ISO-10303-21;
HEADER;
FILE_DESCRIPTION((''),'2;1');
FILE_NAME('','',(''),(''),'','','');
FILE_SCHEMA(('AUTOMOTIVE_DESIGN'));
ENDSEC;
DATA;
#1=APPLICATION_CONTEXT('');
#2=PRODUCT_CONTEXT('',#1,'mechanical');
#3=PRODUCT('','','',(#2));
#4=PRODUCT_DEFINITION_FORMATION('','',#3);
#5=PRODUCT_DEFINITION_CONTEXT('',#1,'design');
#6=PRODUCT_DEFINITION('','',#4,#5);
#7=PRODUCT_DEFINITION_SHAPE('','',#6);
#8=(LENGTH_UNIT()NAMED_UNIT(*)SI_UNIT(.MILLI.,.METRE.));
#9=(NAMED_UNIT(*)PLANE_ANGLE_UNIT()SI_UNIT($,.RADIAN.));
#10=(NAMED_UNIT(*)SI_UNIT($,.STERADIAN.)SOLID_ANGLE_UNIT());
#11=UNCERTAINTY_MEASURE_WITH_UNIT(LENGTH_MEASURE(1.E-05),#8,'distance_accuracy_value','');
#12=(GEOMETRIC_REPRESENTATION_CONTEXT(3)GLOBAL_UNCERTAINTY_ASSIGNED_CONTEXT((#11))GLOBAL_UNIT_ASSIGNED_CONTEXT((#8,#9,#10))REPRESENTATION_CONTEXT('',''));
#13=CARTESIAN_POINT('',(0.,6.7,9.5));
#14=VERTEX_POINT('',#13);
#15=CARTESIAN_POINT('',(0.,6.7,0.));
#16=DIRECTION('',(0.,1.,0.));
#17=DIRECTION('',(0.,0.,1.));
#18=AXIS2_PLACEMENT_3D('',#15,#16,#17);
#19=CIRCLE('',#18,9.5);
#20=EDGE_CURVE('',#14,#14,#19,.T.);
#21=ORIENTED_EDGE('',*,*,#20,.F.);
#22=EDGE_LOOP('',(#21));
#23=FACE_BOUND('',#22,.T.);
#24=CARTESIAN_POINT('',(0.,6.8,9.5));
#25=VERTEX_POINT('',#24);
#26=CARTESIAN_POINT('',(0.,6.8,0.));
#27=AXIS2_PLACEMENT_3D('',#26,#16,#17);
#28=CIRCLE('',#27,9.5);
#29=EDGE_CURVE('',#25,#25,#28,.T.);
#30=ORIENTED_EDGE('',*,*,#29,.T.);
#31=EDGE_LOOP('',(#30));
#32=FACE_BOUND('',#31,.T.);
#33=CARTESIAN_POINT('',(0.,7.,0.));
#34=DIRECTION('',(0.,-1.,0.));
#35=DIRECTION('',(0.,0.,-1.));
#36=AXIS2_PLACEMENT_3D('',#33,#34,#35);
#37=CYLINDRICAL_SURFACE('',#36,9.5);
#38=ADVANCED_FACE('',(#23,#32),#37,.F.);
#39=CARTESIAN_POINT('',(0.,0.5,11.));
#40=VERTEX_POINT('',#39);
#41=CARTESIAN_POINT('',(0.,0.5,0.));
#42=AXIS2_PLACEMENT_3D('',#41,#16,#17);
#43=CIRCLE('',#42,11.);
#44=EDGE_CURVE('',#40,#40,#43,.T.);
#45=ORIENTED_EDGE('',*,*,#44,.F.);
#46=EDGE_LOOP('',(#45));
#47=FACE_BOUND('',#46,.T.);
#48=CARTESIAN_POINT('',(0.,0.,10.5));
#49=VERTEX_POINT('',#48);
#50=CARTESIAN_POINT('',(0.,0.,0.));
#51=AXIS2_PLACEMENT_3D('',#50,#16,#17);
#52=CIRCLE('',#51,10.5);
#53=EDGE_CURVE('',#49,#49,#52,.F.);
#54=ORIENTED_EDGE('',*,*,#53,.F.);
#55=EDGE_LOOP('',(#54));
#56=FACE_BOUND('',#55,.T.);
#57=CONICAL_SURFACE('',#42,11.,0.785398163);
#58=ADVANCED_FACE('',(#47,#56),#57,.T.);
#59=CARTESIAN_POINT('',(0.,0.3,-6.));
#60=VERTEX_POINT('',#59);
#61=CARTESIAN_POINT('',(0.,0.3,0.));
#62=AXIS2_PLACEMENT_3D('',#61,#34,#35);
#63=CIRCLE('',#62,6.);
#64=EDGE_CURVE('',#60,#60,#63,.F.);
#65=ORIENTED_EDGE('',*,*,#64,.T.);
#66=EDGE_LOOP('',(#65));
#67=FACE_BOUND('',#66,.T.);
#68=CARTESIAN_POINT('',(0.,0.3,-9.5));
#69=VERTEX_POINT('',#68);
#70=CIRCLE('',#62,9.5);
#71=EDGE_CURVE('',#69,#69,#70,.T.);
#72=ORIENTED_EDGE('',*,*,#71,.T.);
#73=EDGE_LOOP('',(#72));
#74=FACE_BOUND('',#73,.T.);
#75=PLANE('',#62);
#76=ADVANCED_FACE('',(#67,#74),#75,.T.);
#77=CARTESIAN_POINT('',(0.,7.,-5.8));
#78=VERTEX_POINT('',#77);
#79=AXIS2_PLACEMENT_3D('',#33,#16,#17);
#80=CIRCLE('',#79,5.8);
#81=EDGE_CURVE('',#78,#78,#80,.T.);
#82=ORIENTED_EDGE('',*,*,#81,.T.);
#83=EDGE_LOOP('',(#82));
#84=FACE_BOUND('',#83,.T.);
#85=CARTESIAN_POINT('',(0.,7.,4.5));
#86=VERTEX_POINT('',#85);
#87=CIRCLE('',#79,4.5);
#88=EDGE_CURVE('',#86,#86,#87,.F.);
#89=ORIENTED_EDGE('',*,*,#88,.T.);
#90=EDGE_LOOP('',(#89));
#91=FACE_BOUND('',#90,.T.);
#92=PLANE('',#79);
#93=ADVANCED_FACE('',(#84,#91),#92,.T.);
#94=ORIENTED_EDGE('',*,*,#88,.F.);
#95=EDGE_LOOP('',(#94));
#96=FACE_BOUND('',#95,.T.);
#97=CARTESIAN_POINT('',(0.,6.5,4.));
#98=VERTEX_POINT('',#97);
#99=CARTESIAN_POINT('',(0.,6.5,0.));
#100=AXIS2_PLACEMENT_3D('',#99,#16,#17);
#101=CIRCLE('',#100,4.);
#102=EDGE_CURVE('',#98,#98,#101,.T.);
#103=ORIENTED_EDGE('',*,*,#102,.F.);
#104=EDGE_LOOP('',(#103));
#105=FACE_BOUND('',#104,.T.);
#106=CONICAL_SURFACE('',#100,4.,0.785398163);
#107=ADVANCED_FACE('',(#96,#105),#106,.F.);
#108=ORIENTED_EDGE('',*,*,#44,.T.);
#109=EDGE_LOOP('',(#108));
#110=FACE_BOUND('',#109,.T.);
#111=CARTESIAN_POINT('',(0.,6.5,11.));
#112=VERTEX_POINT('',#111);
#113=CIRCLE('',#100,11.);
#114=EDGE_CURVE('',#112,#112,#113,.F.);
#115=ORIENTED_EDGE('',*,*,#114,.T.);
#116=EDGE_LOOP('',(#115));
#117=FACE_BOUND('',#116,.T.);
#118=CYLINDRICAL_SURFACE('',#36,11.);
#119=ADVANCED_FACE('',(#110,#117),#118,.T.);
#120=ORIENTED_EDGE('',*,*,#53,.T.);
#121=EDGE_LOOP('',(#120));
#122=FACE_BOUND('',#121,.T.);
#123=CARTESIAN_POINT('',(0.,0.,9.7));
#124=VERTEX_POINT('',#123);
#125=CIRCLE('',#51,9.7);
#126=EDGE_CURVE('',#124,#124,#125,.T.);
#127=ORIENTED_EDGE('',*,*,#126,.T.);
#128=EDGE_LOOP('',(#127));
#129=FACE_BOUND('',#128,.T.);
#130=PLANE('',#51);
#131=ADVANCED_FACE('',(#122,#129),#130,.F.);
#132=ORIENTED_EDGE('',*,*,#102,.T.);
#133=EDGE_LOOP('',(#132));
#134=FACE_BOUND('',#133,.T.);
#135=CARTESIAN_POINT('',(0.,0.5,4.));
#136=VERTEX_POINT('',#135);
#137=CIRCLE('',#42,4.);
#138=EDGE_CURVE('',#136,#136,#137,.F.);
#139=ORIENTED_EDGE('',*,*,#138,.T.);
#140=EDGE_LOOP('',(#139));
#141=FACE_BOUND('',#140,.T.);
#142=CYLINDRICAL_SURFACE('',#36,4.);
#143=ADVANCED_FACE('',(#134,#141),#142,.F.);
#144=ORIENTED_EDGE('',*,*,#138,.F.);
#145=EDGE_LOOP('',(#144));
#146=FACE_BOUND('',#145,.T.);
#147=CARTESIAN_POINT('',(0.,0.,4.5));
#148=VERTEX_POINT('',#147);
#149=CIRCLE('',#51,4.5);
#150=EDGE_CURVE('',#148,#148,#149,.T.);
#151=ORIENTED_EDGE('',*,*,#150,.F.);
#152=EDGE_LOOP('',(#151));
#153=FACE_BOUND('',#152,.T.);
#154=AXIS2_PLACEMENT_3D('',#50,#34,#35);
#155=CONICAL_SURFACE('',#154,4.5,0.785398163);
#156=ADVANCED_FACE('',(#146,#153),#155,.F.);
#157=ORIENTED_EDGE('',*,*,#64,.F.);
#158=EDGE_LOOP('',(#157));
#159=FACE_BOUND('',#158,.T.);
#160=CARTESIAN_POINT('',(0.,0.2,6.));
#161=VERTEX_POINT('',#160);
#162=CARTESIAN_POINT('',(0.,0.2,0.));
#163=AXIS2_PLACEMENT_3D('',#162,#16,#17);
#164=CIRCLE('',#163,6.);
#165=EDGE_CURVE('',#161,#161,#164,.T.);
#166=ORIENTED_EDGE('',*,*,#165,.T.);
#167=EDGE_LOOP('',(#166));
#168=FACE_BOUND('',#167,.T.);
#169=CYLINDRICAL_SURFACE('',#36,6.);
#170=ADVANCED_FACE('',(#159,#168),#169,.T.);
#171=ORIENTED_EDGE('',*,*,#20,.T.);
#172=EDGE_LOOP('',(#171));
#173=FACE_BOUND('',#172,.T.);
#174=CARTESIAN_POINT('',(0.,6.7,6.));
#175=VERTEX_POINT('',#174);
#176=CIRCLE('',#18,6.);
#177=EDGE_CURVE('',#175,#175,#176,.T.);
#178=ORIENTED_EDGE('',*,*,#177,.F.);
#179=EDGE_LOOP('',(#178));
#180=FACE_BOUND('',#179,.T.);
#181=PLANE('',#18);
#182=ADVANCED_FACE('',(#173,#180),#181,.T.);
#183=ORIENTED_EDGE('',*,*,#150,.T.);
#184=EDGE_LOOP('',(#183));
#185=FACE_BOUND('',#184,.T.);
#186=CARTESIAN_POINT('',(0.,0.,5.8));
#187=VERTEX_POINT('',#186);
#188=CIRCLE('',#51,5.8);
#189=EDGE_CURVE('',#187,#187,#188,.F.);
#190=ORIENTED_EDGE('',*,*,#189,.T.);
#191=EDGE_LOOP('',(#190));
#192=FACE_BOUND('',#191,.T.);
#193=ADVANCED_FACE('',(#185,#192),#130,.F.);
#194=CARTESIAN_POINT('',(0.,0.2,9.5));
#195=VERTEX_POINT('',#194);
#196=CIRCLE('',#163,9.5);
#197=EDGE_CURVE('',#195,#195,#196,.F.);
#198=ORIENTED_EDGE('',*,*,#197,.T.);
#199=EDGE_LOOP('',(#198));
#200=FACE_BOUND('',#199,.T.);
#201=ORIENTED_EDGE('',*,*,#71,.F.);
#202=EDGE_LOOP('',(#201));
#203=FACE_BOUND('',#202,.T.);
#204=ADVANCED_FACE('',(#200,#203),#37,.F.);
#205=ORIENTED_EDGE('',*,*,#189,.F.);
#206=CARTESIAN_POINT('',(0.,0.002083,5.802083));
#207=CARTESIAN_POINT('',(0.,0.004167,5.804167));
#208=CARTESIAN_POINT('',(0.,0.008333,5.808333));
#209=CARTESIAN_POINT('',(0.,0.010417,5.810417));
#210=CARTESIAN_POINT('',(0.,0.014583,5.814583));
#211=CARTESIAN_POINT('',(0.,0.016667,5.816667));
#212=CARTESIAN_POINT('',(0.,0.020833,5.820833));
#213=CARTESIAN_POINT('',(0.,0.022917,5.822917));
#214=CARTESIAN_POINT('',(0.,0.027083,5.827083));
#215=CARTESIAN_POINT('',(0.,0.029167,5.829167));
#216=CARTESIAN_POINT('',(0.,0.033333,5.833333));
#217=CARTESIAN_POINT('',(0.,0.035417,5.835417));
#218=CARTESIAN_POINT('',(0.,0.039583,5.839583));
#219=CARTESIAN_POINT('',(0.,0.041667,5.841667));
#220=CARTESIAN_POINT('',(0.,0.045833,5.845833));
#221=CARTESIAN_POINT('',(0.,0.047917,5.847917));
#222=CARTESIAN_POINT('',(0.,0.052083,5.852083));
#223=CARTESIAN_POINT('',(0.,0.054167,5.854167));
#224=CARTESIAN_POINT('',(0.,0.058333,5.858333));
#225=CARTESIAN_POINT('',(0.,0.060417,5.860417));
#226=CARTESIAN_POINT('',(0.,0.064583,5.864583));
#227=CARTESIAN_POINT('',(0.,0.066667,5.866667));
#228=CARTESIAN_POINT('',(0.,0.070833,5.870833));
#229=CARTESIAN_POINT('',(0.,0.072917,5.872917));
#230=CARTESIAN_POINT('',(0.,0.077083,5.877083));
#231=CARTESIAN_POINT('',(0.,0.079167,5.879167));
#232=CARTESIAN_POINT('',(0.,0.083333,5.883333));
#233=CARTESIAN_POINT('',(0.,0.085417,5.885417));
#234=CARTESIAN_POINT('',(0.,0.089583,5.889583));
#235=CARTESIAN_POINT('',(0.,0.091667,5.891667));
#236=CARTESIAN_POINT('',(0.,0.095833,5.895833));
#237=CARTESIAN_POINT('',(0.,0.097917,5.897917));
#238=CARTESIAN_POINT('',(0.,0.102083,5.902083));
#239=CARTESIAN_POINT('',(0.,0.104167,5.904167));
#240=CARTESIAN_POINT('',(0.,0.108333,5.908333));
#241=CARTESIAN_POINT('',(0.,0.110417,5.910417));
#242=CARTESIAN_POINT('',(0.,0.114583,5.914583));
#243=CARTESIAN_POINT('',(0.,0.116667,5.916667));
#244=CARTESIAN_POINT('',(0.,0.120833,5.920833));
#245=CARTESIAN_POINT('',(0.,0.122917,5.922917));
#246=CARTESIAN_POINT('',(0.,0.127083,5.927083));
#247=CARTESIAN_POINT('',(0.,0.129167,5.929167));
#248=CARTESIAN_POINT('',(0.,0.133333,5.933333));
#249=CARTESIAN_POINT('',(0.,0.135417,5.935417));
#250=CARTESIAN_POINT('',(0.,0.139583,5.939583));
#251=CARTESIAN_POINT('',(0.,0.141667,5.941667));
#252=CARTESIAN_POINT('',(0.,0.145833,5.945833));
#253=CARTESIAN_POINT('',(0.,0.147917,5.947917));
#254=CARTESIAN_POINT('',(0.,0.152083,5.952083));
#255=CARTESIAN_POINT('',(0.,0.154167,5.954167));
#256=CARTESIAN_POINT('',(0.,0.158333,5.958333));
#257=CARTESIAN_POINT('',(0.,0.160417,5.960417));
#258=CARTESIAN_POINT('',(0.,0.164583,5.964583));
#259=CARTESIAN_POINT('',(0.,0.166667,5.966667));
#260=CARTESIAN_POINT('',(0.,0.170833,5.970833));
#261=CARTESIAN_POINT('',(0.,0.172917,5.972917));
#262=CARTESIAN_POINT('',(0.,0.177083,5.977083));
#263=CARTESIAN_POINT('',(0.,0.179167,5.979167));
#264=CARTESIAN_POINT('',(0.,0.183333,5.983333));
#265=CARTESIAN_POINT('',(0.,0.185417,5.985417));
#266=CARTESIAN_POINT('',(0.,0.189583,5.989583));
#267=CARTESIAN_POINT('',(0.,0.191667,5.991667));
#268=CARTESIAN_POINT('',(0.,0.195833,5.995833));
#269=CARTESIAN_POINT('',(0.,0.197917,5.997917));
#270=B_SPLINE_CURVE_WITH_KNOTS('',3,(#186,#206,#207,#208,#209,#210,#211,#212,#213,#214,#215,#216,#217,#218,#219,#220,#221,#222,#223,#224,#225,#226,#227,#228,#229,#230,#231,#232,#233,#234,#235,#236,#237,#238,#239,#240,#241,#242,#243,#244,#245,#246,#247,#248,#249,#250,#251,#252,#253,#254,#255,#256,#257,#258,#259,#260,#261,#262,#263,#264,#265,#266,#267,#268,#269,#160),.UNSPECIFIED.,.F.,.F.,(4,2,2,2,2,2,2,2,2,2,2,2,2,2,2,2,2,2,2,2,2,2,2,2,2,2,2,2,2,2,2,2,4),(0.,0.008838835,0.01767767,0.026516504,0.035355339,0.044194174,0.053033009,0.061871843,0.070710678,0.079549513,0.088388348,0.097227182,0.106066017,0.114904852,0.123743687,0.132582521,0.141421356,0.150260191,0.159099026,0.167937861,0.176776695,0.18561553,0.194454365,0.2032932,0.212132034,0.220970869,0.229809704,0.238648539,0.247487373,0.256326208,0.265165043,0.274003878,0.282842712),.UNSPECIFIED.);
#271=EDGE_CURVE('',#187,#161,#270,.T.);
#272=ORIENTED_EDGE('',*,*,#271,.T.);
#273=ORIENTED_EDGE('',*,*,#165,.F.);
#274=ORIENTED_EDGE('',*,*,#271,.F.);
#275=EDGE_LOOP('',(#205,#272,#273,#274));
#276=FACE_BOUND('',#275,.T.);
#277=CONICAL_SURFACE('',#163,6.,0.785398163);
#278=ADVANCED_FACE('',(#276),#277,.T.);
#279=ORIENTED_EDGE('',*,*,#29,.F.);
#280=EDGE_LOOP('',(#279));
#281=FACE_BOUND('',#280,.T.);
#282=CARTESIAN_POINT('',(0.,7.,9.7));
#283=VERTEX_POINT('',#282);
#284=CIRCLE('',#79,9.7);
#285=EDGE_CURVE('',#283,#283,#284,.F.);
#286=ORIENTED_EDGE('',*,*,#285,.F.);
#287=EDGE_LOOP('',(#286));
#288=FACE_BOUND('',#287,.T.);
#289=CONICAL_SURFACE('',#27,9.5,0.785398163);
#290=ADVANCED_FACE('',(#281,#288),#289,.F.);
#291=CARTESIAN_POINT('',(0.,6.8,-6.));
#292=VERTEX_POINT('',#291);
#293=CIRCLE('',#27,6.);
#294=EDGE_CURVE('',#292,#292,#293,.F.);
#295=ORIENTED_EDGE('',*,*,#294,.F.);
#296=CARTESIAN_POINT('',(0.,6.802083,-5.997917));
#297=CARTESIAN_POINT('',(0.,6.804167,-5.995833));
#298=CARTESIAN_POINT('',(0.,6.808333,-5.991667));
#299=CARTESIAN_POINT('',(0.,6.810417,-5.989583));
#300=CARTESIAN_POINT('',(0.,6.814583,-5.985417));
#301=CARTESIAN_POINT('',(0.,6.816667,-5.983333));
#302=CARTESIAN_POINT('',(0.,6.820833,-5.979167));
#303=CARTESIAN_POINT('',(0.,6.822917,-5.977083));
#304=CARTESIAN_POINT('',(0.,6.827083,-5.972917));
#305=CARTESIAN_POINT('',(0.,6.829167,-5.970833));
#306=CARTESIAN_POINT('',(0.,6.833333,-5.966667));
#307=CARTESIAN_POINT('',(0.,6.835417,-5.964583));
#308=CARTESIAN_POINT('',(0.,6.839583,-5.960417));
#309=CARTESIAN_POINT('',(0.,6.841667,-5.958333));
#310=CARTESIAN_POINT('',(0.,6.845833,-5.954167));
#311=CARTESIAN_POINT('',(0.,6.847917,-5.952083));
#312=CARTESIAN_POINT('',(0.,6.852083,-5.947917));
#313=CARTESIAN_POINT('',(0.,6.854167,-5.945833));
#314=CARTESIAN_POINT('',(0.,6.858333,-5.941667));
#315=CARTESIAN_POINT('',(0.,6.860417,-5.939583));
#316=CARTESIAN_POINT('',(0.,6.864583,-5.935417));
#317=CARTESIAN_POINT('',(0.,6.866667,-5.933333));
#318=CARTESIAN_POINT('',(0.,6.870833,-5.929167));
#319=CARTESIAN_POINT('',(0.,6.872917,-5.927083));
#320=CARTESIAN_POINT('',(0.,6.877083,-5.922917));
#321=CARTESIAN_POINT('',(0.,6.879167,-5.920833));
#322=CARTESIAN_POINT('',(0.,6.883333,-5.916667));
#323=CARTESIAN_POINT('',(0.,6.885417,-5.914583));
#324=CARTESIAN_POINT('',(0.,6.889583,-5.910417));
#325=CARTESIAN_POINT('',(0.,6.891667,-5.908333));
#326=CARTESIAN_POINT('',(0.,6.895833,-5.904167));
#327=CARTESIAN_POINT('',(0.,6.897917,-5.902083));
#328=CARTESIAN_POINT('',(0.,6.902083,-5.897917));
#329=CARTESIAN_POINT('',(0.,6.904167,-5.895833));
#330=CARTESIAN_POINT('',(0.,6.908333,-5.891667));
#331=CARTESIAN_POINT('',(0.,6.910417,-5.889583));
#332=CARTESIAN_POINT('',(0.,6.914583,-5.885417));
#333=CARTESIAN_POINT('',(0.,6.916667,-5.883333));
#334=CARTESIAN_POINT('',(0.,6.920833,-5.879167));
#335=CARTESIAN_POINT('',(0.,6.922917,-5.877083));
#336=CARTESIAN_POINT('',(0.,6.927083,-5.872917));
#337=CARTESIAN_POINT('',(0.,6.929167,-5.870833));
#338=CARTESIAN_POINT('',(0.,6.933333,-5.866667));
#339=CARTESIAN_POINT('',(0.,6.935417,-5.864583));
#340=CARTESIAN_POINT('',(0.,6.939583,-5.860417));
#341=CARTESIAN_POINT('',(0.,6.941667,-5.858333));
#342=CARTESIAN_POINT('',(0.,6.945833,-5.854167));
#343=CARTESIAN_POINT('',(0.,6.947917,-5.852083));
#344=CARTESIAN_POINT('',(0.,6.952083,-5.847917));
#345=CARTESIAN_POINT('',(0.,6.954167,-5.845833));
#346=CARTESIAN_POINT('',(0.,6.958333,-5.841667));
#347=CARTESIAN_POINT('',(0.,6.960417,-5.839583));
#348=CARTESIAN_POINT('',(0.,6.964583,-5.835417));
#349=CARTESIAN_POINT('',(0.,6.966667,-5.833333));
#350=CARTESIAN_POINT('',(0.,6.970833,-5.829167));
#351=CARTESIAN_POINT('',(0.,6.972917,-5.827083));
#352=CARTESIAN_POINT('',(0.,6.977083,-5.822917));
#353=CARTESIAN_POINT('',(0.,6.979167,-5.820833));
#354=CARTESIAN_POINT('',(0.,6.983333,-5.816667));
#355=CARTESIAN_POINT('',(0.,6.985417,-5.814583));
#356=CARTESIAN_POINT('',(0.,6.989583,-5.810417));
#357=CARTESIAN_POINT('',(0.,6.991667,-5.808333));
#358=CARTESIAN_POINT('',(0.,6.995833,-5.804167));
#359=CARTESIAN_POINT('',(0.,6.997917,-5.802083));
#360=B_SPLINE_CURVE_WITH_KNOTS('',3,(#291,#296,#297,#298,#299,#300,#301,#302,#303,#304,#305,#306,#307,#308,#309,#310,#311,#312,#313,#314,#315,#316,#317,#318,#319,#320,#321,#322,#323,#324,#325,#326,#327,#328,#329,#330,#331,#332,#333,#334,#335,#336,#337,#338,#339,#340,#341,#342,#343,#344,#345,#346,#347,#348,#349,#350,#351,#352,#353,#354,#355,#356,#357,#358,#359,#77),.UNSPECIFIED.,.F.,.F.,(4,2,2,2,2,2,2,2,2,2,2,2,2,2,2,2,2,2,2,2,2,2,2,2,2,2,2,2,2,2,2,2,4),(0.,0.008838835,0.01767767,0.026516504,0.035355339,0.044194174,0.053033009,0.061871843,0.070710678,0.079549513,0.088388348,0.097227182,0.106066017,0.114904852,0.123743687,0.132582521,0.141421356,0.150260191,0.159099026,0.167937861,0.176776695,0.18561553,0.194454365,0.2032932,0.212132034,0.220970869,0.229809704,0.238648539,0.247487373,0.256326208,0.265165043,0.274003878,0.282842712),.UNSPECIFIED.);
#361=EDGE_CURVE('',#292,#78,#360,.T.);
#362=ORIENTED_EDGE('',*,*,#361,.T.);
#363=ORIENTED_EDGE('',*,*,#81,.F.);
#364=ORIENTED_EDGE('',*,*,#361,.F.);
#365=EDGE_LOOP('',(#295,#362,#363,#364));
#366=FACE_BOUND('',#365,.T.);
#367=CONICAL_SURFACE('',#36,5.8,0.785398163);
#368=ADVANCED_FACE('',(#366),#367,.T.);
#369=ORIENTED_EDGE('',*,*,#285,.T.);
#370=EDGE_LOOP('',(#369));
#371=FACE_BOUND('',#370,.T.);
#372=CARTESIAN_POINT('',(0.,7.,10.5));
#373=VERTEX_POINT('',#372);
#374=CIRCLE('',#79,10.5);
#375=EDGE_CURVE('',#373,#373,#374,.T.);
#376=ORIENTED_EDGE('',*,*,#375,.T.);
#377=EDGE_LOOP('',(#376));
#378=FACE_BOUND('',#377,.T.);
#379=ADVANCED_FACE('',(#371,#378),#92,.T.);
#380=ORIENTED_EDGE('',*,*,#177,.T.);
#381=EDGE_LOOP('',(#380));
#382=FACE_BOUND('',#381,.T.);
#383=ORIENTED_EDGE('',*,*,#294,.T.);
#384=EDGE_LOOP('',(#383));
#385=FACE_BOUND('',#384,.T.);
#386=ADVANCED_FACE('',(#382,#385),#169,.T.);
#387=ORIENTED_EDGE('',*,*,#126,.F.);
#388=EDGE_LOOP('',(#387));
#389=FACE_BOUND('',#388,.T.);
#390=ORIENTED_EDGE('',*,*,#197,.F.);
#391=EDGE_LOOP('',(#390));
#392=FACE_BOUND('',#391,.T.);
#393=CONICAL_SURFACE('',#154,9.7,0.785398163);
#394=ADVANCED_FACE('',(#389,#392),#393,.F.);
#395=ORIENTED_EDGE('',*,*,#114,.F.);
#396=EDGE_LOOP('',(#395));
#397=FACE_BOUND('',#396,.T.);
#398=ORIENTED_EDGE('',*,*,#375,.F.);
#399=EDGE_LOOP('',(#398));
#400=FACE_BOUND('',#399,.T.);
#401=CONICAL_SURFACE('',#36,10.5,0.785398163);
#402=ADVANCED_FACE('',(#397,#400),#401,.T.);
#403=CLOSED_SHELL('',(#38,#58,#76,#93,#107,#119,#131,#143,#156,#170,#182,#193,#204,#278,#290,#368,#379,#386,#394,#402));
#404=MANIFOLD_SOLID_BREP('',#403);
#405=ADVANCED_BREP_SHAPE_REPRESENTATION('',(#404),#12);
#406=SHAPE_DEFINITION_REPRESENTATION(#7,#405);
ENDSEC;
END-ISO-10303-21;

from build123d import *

# Parameters (mm, degrees)
SKETCH1_R             = 11
SKETCH1_R_2           = 9.5
BOSS_EXTRUDE1_DEPTH   = 7
SKETCH1_R_3           = 6
SKETCH1_R_4           = 4
BOSS_EXTRUDE1_2_DEPTH = 7
BOSS_EXTRUDE2_START   = -6.4
SKETCH2_R             = 9.5
SKETCH2_R_2           = 6
BOSS_EXTRUDE2_DEPTH   = 6.4
CHAMFER1_SIZE         = 0.2
CHAMFER2_SIZE         = 0.5


with BuildPart() as part:
    # Sketch1 → Boss-Extrude1 (new body)
    with BuildSketch(Plane(origin=(0, 0, 0), x_dir=(1, 0, 0), z_dir=(0, 1, 0))):
        with Locations(Location((0, 0, 0), (0, 0, 270))):
            Circle(SKETCH1_R)
        with Locations(Location((0, 0, 0), (0, 0, 270))):
            Circle(SKETCH1_R_2, mode=Mode.SUBTRACT)
    extrude(amount=BOSS_EXTRUDE1_DEPTH)



with BuildPart() as body_2:
    # Sketch1 → Boss-Extrude1 2 (new body)
    with BuildSketch(Plane(origin=(0, 0, 0), x_dir=(1, 0, 0), z_dir=(0, 1, 0))):
        with Locations(Location((0, 0, 0), (0, 0, 270))):
            Circle(SKETCH1_R_3)
        with Locations(Location((0, 0, 0), (0, 0, 270))):
            Circle(SKETCH1_R_4, mode=Mode.SUBTRACT)
    extrude(amount=BOSS_EXTRUDE1_2_DEPTH)


with BuildPart() as part_1:
    add(part.part)

    add(body_2.part)  # Boss-Extrude2 merges body 2
    # Sketch2 → Boss-Extrude2 (add)
    with BuildSketch(Plane(origin=(0, 6.7, 0), x_dir=(1, 0, 0), z_dir=(0, 1, 0)).offset(BOSS_EXTRUDE2_START)):
        with Locations(Location((0, 0, 0), (0, 0, 270))):
            Circle(SKETCH2_R)
        with Locations(Location((0, 0, 0), (0, 0, 270))):
            Circle(SKETCH2_R_2, mode=Mode.SUBTRACT)
    extrude(amount=BOSS_EXTRUDE2_DEPTH)

    # Chamfer1
    chamfer1_edges = [part_1.edges().sort_by_distance(p)[0] for p in [
        (0, 0, -6),
        (0, 7, -6),
        (0, 0, -9.5),
        (0, 7, -9.5),
    ]]
    chamfer(chamfer1_edges, length=CHAMFER1_SIZE)

    # Chamfer2
    chamfer2_edges = [part_1.edges().sort_by_distance(p)[0] for p in [
        (0, 7, -11),
        (0, 7, -4),
        (0, 0, -4),
        (0, 0, -11),
    ]]
    chamfer(chamfer2_edges, length=CHAMFER2_SIZE)


solid = part_1.part
